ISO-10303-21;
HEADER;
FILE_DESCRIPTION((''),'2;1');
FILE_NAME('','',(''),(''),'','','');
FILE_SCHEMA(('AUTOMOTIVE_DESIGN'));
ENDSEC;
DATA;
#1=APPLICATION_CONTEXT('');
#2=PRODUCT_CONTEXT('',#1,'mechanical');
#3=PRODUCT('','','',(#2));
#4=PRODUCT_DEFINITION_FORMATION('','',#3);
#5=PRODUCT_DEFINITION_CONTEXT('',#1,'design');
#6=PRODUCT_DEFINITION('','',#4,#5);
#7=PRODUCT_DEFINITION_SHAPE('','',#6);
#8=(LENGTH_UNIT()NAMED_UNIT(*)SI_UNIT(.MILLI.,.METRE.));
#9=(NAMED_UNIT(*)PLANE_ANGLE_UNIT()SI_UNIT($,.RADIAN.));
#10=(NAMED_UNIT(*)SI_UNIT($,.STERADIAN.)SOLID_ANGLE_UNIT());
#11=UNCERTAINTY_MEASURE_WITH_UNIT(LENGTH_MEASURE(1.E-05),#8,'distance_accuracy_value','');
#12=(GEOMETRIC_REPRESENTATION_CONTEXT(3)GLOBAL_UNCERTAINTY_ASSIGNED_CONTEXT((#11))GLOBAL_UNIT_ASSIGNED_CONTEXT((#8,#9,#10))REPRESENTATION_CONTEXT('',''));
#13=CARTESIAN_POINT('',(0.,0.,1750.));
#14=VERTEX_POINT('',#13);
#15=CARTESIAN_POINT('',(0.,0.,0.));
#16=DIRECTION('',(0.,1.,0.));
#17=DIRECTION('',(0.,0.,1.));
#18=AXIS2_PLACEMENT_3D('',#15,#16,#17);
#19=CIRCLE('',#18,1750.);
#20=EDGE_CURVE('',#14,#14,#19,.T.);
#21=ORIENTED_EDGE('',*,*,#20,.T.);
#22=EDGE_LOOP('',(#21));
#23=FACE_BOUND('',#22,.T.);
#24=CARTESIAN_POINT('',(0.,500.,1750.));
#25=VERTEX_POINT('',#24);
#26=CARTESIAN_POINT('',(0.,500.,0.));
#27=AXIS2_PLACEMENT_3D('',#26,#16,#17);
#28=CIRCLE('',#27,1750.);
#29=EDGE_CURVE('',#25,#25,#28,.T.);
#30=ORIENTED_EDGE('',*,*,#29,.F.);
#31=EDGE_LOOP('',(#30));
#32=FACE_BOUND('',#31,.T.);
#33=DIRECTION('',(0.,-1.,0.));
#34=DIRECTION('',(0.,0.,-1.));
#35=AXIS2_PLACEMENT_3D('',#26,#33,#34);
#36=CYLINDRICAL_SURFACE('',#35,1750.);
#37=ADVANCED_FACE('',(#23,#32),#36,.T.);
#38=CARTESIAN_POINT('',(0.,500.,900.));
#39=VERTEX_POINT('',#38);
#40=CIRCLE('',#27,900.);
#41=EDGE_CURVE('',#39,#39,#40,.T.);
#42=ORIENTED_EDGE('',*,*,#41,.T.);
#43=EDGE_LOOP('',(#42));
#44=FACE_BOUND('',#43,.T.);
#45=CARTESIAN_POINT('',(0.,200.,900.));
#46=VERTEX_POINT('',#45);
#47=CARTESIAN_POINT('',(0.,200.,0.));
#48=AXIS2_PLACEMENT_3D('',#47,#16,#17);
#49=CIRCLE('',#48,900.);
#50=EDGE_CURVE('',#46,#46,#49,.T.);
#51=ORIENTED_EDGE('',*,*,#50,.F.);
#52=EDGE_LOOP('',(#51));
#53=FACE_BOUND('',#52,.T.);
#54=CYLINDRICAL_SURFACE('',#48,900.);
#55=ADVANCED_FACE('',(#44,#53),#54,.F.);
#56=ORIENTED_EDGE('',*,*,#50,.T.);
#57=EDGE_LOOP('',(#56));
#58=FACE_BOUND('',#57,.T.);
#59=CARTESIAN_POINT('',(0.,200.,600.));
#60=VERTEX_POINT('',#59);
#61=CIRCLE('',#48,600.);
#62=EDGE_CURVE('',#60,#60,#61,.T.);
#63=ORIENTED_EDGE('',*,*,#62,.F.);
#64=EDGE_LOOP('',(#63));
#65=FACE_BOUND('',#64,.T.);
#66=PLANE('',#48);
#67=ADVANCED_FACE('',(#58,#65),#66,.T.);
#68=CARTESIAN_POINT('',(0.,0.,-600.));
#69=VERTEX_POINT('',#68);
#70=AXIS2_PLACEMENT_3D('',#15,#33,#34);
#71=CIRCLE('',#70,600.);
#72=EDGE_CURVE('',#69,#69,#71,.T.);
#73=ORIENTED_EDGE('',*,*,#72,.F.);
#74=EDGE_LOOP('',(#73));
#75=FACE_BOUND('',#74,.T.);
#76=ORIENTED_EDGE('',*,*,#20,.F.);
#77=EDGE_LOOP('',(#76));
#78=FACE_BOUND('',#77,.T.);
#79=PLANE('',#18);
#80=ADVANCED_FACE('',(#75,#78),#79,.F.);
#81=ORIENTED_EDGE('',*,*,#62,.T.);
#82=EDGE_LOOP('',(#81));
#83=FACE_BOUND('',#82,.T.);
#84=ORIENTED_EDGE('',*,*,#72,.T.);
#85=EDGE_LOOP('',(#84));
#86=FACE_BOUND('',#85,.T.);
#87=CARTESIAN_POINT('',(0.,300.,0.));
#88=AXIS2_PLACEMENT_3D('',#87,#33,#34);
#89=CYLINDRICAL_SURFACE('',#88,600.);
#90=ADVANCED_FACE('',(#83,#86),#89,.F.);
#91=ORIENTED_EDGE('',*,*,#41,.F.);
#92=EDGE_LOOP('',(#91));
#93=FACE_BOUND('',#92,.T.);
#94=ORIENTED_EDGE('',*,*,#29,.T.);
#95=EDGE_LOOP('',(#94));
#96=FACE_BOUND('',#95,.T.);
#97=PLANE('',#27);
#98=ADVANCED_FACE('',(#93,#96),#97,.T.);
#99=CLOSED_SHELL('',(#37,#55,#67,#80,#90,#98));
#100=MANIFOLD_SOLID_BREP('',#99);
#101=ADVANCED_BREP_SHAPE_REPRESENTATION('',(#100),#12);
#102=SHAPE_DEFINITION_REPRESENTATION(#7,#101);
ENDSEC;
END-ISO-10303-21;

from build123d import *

# Parameters (mm, degrees)
SKETCH1_R           = 1750
BOSS_EXTRUDE1_DEPTH = 500
SKETCH2_R           = 900
CUT_EXTRUDE2_DEPTH  = 300
SKETCH3_R           = 600
CUT_EXTRUDE3_DEPTH  = 300


with BuildPart() as part:
    # Sketch1 → Boss-Extrude1 (new body)
    with BuildSketch(Plane(origin=(0, 0, 0), x_dir=(1, 0, 0), z_dir=(0, 1, 0))):
        with Locations(Location((0, 0, 0), (0, 0, 270))):
            Circle(SKETCH1_R)
    extrude(amount=BOSS_EXTRUDE1_DEPTH)

    # Sketch2 → Cut-Extrude2 (cut)
    with BuildSketch(Plane(origin=(0, 500, 0), x_dir=(1, 0, 0), z_dir=(0, 1, 0))):
        with Locations(Location((0, 0, 0), (0, 0, 270))):
            Circle(SKETCH2_R)
    extrude(amount=-CUT_EXTRUDE2_DEPTH, mode=Mode.SUBTRACT)

    # Sketch3 → Cut-Extrude3 (cut)
    with BuildSketch(Plane.XZ):
        with Locations(Location((0, 0, 0), (0, 0, 270))):
            Circle(SKETCH3_R)
    extrude(amount=-CUT_EXTRUDE3_DEPTH, mode=Mode.SUBTRACT)


solid = part.part
